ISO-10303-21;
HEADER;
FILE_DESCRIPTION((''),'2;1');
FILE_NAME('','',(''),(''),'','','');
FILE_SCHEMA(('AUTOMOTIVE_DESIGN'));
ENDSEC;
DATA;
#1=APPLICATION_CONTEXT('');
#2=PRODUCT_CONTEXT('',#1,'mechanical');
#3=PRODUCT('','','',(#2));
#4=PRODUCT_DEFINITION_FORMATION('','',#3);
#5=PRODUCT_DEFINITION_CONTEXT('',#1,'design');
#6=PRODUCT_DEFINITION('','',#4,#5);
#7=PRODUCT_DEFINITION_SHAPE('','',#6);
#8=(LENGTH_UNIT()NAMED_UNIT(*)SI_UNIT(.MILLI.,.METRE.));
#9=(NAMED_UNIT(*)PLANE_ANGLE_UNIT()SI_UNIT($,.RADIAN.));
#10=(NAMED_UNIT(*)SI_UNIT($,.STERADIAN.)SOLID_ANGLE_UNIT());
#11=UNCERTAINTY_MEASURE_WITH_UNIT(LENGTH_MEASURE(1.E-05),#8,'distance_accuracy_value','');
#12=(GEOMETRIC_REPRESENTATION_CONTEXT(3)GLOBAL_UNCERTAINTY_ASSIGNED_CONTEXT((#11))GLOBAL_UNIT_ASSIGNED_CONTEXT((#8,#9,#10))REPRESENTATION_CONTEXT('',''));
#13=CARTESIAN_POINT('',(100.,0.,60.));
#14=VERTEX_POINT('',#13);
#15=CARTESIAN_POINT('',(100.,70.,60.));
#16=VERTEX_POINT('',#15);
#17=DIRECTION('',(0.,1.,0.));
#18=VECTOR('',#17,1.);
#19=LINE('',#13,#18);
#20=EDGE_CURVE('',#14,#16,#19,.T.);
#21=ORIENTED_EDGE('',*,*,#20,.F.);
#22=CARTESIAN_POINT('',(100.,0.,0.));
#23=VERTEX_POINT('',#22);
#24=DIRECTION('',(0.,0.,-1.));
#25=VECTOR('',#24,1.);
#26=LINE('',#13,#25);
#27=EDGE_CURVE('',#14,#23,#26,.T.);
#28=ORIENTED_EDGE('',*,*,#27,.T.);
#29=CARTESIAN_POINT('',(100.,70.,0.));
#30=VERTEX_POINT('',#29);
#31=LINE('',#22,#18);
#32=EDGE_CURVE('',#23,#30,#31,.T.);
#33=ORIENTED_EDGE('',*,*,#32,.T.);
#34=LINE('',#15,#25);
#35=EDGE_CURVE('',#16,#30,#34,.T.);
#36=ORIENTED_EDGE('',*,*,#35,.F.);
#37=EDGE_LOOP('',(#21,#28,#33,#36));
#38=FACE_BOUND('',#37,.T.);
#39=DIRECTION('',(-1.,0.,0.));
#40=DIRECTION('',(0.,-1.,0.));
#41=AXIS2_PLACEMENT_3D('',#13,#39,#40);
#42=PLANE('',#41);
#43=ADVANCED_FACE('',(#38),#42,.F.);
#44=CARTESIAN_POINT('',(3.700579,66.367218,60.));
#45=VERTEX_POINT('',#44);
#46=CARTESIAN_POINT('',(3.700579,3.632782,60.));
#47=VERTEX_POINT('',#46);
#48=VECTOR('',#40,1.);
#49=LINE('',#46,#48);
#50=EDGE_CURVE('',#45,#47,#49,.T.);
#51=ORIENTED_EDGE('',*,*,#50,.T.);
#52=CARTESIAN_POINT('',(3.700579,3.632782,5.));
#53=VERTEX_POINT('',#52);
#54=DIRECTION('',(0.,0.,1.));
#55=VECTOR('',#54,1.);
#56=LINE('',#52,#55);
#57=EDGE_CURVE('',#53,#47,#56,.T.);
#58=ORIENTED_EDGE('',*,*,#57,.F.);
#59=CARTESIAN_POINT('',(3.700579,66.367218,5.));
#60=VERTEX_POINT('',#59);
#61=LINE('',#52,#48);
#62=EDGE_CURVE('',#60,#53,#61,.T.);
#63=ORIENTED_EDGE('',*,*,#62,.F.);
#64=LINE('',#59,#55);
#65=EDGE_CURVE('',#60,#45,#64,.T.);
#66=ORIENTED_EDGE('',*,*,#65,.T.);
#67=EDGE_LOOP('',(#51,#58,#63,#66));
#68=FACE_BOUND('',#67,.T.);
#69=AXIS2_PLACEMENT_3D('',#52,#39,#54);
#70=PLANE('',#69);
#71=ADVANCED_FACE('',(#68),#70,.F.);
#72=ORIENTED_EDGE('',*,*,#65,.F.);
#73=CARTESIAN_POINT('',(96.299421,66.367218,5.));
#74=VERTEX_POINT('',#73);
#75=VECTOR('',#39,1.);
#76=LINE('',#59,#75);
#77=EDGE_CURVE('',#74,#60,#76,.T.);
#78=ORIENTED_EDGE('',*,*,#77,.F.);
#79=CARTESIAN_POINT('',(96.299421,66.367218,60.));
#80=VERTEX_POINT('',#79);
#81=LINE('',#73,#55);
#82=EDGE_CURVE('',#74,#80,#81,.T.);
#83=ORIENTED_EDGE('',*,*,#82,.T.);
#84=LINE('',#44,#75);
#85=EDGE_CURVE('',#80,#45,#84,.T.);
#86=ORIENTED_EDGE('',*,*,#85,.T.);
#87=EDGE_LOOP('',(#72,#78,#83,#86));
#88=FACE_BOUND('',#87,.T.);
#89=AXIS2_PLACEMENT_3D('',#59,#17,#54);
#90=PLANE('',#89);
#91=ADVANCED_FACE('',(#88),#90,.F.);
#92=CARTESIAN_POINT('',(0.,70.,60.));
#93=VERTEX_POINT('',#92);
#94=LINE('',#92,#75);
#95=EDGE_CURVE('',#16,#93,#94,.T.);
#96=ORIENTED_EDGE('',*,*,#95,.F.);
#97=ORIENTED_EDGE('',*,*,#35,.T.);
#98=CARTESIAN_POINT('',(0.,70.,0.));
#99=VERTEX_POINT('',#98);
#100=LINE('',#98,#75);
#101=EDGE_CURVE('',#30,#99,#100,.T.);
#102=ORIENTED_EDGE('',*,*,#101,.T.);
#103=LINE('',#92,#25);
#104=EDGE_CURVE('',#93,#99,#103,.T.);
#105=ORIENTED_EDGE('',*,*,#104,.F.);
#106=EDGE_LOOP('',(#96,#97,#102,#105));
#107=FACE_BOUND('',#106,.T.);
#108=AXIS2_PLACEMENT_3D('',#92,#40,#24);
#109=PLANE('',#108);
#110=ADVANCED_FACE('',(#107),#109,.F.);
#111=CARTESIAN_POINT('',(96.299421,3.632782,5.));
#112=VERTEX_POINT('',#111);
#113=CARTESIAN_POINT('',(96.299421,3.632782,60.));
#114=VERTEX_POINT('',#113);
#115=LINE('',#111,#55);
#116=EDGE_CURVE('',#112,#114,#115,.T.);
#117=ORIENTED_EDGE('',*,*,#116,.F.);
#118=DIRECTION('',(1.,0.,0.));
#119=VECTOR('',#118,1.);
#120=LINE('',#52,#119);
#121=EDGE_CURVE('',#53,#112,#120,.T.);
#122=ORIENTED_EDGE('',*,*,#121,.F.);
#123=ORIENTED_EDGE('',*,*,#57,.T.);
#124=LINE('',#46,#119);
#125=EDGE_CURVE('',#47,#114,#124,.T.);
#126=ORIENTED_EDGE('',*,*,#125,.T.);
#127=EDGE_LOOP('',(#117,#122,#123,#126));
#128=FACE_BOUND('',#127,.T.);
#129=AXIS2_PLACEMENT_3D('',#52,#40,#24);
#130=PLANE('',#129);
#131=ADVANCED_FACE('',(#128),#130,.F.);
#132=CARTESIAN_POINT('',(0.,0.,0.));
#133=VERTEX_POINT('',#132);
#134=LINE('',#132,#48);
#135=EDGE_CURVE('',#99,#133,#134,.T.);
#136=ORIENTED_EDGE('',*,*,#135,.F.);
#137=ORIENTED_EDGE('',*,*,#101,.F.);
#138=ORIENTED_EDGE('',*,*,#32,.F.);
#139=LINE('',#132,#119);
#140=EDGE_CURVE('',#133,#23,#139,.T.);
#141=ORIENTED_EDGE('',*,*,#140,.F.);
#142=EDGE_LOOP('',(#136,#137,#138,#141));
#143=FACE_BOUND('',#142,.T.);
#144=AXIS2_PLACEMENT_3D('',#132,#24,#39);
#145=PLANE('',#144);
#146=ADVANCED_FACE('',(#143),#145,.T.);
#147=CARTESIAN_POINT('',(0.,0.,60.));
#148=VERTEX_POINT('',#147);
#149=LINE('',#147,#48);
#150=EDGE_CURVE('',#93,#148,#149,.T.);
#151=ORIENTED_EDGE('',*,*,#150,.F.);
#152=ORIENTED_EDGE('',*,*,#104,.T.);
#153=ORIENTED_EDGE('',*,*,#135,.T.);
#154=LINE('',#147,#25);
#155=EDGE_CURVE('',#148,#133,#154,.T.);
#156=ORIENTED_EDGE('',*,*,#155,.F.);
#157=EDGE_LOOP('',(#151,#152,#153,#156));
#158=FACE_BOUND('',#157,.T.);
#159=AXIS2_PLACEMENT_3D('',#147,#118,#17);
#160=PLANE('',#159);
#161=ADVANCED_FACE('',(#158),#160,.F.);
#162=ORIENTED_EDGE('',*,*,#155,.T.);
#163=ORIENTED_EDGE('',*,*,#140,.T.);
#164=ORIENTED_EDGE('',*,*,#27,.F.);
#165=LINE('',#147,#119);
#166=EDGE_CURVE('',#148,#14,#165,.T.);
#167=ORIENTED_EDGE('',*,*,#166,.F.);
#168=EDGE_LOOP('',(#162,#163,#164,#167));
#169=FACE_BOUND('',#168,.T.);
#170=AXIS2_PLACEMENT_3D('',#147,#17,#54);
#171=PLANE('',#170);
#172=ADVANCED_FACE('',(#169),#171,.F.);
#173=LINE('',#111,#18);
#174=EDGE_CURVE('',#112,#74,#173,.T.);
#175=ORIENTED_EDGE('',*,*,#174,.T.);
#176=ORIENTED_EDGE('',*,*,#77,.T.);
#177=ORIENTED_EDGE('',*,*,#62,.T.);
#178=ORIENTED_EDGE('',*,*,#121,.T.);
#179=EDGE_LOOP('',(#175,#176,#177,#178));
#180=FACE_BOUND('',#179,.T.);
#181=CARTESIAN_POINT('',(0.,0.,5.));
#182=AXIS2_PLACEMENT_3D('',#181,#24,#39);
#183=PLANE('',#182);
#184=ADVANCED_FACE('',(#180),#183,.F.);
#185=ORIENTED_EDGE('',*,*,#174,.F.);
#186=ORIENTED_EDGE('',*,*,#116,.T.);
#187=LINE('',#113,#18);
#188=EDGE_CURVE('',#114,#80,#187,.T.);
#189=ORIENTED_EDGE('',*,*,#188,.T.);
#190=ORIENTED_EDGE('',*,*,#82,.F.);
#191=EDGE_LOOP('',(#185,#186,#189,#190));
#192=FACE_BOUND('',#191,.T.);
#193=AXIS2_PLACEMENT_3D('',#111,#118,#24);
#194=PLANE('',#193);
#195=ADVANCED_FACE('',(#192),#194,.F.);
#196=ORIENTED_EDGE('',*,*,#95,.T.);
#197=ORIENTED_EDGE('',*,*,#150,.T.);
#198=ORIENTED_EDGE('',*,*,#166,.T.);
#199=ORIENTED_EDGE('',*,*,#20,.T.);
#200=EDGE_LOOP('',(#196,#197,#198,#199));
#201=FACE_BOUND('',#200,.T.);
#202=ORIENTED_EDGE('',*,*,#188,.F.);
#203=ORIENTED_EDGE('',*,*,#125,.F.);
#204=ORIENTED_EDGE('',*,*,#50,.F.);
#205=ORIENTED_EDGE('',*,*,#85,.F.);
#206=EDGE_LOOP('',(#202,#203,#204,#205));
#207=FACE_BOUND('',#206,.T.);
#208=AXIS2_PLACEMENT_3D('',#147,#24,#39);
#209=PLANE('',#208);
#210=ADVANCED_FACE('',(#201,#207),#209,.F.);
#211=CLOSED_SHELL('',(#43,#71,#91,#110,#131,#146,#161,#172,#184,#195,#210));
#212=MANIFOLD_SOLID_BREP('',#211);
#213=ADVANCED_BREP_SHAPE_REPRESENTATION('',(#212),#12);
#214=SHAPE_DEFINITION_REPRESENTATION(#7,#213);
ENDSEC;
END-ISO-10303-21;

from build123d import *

# Parameters (mm, degrees)
SKETCH1_W           = 100
SKETCH1_H           = 70
BOSS_EXTRUDE1_DEPTH = 60
SKETCH2_W           = 92.598842388
SKETCH2_H           = 62.734436728
CUT_EXTRUDE1_DEPTH  = 55


with BuildPart() as part:
    # Sketch1 → Boss-Extrude1 (new body)
    with BuildSketch(Plane.XY):
        with Locations((50, 35)):
            Rectangle(SKETCH1_W, SKETCH1_H)
    extrude(amount=BOSS_EXTRUDE1_DEPTH)

    # Sketch2 → Cut-Extrude1 (cut)
    with BuildSketch(Plane.XY.offset(60)):
        with Locations((50, 35)):
            Rectangle(SKETCH2_W, SKETCH2_H)
    extrude(amount=-CUT_EXTRUDE1_DEPTH, mode=Mode.SUBTRACT)


solid = part.part
